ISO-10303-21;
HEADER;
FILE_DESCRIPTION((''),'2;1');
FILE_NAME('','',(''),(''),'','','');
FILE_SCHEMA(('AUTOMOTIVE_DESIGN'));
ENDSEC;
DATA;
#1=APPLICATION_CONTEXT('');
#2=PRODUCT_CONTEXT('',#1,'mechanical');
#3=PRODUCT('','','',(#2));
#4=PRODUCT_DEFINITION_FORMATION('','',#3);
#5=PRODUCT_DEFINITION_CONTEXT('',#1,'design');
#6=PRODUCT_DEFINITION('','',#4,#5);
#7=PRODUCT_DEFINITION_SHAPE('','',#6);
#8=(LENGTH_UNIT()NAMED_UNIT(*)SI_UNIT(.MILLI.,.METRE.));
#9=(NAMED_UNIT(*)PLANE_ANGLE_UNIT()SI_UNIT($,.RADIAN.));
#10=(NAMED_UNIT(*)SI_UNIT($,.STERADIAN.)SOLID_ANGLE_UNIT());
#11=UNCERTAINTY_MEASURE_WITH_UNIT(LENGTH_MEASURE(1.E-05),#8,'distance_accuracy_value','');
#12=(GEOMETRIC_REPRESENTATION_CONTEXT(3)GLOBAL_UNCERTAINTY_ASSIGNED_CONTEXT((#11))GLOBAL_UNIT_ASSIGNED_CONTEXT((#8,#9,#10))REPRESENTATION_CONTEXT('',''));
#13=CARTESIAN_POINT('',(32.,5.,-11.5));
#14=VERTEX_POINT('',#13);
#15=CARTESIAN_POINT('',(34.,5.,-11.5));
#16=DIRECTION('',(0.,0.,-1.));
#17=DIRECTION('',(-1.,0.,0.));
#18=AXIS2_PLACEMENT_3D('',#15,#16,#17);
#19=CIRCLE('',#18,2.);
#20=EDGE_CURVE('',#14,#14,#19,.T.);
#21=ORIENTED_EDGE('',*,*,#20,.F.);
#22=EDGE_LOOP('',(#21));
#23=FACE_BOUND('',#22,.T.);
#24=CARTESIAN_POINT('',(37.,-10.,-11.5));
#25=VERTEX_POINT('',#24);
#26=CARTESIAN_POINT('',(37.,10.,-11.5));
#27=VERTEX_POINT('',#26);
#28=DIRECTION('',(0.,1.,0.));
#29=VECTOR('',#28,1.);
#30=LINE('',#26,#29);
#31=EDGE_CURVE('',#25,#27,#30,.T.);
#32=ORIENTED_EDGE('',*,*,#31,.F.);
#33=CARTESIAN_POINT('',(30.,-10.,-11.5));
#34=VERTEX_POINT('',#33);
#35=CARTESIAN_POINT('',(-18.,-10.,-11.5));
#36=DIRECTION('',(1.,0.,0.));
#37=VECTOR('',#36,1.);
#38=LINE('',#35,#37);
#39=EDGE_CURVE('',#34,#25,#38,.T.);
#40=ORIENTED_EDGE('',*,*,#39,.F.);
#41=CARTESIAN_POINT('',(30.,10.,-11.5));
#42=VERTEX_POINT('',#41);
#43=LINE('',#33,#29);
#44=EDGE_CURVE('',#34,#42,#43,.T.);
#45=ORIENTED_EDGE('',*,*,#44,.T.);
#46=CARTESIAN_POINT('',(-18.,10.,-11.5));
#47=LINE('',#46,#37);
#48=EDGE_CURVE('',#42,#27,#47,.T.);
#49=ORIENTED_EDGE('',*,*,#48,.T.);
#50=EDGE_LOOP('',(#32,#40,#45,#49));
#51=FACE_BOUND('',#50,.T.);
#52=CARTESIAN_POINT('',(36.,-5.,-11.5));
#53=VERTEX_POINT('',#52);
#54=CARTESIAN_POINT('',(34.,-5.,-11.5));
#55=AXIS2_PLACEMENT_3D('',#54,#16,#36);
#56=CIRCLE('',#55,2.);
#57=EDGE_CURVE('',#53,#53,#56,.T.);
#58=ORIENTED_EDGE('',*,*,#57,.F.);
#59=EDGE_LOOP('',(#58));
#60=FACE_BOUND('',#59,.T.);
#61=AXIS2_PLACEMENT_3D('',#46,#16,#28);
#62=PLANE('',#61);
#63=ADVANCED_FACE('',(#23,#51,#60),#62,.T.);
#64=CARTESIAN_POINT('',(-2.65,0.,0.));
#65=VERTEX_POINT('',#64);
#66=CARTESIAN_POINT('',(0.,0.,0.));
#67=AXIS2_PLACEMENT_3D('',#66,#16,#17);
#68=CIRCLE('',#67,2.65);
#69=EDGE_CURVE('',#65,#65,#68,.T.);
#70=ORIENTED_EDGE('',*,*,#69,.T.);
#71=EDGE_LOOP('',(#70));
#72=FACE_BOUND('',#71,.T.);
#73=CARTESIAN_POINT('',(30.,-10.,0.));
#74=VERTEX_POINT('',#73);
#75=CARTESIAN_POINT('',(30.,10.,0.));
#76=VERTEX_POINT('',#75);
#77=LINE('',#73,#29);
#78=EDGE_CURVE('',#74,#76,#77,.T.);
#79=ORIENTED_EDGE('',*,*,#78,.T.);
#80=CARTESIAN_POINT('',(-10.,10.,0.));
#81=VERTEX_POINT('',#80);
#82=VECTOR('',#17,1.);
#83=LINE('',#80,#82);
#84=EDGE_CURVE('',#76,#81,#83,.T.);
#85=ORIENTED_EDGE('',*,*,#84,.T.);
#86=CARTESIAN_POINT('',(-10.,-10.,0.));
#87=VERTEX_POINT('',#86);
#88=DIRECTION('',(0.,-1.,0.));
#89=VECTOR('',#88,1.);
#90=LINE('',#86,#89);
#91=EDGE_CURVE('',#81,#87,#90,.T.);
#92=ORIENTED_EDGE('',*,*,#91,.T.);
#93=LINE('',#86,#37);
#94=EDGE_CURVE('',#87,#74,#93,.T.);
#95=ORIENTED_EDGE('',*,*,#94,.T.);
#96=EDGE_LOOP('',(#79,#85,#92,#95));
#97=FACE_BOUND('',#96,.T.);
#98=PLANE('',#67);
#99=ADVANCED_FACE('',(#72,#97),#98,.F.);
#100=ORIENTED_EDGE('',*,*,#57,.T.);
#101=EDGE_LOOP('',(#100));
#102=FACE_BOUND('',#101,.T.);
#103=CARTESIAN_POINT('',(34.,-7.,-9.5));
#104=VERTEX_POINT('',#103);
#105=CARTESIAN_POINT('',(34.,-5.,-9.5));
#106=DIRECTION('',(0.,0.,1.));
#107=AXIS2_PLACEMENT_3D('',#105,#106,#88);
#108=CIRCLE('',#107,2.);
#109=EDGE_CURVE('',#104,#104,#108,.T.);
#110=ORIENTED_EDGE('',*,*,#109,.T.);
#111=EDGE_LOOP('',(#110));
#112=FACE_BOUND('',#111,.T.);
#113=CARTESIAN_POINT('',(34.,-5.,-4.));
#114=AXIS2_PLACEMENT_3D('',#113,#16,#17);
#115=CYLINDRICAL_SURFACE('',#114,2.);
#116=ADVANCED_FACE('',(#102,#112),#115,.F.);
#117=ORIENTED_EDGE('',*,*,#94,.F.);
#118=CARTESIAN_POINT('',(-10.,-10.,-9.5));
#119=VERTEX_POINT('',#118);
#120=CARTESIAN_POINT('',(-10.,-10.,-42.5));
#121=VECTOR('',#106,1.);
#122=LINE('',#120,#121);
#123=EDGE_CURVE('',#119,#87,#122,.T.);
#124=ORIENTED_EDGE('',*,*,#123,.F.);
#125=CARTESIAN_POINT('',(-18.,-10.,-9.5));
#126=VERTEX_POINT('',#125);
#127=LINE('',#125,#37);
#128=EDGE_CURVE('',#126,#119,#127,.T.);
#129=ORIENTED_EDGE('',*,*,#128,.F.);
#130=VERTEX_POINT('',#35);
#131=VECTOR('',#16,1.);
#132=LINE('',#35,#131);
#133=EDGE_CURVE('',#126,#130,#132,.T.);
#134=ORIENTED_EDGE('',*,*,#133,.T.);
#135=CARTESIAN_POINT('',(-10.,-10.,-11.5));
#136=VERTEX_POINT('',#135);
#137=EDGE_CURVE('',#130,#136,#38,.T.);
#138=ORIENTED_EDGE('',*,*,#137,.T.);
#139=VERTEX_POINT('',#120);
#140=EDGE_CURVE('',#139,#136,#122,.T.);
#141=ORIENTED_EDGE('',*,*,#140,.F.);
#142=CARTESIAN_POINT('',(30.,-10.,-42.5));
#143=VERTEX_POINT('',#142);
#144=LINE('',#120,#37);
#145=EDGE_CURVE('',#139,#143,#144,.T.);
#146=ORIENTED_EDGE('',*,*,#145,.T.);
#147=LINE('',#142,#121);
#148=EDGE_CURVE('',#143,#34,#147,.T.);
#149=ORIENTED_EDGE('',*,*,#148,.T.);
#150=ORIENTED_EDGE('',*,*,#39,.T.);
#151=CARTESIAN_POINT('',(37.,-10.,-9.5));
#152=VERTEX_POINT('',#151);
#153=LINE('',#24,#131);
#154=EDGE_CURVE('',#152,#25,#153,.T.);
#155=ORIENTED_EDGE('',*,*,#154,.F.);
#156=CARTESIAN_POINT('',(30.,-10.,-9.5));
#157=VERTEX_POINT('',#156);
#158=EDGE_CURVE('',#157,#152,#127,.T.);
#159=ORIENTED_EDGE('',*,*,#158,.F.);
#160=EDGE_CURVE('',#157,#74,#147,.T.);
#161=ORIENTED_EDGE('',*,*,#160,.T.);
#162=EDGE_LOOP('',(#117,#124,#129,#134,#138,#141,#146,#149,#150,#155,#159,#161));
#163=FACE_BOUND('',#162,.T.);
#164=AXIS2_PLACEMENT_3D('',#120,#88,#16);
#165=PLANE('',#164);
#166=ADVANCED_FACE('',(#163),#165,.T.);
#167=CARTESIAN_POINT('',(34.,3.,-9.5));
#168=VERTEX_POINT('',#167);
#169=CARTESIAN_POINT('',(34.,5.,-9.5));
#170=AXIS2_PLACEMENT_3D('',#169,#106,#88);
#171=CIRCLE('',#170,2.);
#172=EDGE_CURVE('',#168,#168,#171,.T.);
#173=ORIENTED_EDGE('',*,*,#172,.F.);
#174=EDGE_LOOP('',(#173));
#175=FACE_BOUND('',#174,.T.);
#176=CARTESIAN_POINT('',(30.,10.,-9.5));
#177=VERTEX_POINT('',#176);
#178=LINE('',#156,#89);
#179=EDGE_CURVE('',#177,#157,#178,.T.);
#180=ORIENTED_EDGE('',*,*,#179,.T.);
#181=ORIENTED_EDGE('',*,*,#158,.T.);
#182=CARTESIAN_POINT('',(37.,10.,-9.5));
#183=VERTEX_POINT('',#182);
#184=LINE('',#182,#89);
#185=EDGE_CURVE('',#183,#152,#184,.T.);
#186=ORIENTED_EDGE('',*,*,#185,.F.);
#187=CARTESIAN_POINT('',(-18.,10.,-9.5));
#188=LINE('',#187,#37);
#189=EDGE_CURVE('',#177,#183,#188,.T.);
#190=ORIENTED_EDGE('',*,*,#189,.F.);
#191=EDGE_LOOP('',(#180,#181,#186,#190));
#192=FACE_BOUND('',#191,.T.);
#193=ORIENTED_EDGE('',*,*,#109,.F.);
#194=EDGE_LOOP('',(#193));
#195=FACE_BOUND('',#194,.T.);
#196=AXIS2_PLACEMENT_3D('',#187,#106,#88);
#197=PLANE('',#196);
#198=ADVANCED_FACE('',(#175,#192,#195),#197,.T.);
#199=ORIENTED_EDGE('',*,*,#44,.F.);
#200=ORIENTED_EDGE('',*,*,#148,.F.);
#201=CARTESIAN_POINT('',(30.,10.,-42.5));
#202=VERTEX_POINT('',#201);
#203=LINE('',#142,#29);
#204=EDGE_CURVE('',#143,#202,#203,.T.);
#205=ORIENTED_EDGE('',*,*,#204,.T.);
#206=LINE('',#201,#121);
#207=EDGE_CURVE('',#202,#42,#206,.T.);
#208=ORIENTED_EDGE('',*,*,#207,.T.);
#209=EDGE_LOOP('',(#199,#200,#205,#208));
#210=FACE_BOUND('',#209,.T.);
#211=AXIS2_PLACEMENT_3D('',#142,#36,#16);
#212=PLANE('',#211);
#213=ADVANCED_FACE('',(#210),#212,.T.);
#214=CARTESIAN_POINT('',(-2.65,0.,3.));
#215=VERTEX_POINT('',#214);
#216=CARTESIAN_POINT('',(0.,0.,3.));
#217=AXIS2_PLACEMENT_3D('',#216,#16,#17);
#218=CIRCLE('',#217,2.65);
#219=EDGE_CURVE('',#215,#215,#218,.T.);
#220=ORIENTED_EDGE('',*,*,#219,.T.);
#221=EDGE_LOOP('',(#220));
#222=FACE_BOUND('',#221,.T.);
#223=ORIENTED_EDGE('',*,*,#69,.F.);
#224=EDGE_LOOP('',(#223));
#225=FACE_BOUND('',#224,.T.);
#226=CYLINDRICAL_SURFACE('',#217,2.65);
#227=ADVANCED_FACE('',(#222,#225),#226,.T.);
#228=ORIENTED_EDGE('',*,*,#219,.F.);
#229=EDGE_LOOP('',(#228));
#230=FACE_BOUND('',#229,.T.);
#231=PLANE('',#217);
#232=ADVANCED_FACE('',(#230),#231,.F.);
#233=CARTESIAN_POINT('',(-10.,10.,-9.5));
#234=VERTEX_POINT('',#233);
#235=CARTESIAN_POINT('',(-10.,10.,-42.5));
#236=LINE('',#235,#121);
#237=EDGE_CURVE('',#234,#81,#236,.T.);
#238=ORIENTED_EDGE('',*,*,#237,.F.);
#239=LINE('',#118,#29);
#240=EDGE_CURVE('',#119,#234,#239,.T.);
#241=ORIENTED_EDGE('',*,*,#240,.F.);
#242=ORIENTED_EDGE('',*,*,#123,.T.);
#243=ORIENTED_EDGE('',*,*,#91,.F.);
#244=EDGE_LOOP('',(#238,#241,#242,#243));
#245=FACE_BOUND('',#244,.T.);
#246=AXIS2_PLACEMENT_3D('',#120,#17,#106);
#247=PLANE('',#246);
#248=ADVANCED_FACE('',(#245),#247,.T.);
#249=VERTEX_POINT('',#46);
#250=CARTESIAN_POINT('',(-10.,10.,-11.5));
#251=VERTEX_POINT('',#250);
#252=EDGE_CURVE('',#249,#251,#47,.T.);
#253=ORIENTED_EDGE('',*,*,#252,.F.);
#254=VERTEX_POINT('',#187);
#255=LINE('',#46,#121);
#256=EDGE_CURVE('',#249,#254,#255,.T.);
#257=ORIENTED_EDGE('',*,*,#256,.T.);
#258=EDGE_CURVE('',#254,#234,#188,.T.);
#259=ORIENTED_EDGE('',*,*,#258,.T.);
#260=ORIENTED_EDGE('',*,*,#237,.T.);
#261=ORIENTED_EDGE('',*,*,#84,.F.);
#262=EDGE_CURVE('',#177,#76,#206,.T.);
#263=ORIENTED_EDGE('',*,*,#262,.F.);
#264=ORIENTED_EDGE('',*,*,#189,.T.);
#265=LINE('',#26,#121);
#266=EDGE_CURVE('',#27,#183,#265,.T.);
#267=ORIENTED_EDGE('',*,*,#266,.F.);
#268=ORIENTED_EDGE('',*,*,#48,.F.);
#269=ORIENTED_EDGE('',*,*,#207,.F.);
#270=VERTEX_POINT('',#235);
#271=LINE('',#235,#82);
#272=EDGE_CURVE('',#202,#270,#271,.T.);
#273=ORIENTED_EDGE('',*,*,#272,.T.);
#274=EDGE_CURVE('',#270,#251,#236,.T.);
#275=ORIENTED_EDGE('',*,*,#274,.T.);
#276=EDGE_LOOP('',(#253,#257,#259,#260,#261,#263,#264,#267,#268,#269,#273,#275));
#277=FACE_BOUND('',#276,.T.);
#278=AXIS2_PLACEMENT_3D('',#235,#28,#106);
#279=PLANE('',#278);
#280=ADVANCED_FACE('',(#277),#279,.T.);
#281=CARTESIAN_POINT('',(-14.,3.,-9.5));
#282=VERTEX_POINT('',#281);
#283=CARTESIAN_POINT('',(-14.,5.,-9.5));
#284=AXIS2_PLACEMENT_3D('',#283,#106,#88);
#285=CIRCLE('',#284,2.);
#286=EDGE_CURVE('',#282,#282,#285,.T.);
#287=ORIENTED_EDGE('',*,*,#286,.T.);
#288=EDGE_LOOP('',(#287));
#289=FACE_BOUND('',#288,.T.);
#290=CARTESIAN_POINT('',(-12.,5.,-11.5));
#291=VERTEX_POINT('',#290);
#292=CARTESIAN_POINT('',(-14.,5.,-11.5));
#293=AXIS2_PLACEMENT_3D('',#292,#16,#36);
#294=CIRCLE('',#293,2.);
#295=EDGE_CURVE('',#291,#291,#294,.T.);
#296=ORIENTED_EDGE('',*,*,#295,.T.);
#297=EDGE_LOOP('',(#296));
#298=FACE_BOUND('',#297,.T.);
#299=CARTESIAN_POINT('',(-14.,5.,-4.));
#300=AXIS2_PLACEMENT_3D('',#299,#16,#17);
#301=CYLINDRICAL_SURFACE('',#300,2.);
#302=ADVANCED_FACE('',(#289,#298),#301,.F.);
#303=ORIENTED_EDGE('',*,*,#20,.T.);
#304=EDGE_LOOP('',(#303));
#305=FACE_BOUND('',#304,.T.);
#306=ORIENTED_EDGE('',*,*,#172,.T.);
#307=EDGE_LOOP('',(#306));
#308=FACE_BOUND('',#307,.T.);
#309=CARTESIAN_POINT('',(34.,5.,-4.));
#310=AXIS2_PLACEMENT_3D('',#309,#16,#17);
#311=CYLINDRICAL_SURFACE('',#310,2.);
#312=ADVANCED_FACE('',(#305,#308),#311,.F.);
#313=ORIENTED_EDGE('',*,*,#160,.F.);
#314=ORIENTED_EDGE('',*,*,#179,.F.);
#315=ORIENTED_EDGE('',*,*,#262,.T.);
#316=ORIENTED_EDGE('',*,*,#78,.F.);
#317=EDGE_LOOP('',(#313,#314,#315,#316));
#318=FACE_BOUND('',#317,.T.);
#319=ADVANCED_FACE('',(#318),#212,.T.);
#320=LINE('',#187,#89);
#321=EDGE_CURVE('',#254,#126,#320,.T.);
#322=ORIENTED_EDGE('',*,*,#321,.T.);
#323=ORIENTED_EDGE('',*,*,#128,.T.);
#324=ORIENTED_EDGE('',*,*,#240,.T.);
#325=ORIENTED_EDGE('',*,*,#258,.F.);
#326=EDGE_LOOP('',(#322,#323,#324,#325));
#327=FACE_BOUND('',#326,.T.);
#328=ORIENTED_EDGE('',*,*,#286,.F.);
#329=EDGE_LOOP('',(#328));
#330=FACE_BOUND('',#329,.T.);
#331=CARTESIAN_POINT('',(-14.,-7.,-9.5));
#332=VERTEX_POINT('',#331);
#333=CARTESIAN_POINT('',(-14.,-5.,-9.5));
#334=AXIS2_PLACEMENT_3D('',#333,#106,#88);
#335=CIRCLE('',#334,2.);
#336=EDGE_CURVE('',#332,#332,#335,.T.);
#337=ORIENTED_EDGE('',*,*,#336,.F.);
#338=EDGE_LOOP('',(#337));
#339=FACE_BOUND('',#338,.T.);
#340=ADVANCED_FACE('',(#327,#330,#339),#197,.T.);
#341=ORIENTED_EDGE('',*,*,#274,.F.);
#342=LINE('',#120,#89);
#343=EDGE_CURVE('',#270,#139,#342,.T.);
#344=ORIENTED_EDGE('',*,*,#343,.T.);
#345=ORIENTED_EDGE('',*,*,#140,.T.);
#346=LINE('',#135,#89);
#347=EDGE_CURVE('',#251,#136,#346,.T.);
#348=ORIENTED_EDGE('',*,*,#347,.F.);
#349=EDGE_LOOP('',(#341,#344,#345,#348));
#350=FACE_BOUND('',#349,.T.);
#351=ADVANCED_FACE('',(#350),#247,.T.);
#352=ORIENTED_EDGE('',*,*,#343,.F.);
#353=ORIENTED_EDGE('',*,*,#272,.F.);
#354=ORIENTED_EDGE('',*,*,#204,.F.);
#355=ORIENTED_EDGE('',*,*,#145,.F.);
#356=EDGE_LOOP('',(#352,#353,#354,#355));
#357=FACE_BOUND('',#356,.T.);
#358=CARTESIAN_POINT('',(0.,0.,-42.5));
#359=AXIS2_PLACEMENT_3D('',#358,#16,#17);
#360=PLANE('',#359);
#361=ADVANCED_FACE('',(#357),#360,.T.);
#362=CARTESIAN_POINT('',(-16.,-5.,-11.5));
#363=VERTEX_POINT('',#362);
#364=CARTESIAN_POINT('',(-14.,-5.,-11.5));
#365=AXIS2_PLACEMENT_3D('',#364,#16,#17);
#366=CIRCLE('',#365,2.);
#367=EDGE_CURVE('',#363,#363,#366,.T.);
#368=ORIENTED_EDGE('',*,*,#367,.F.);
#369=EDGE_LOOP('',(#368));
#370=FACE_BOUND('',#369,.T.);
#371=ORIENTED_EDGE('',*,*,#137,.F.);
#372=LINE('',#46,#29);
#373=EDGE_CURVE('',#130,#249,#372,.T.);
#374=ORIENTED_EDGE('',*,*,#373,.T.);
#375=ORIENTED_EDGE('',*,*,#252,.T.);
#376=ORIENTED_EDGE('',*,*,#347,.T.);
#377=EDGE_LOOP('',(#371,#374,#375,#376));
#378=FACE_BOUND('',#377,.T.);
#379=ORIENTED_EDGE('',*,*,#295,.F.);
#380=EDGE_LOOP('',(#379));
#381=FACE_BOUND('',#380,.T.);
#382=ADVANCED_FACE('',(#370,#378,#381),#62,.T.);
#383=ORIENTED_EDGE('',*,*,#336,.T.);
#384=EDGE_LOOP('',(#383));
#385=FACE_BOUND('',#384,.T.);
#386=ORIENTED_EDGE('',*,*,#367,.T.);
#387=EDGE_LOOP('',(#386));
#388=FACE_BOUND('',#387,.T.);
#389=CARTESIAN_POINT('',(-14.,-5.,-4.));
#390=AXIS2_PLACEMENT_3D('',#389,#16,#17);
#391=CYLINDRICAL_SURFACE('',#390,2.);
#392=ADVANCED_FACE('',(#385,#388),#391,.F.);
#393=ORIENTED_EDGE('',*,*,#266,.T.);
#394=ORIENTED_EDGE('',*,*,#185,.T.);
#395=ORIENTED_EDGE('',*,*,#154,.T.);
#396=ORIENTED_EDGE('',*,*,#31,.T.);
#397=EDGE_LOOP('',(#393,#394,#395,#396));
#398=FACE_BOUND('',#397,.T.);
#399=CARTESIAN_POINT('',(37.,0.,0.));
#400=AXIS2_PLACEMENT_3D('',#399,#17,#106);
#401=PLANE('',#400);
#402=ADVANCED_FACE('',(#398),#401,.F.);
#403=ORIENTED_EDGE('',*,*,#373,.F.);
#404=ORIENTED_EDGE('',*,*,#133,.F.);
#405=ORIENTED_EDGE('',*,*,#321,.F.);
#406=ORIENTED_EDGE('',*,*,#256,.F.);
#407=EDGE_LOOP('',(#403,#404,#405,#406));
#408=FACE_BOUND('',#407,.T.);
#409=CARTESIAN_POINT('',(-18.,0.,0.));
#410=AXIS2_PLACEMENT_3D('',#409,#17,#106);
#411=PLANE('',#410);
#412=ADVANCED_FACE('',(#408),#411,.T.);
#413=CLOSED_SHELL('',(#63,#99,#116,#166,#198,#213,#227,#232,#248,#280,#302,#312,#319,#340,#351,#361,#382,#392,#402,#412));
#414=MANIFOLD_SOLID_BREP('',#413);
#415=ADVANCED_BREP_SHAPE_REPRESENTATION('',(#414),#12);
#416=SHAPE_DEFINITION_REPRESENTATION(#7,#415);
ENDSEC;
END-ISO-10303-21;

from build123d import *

# Parameters (mm, degrees)
ESQUISSE1_W             = 40
ESQUISSE1_H             = 20
BOSS_EXTRU_1_DEPTH      = 42.5
BOSS_EXTRU_2_DEPTH      = 7
BOSS_EXTRU_2_DEPTH_BACK = 48
ESQUISSE2_W             = 2
ESQUISSE2_H             = 20
ESQUISSE3_R             = 2
ENL_V_MAT_EXTRU_1_DEPTH = 7.5
ESQUISSE5_R             = 2.65
BOSS_EXTRU_3_DEPTH      = 3


with BuildPart() as part:
    # Esquisse1 → Boss.-Extru.1 (new body)
    with BuildSketch(Plane.XY):
        with Locations((10, 0)):
            Rectangle(ESQUISSE1_W, ESQUISSE1_H)
    extrude(amount=-BOSS_EXTRU_1_DEPTH)

    # Esquisse2 → Boss.-Extru.2 (add, two sides: drawn at the far end of the back side and taken through both)
    with BuildSketch(Plane(origin=(30, 0, 0), x_dir=(0, 0, -1), z_dir=(1, 0, 0)).offset(-BOSS_EXTRU_2_DEPTH_BACK)):
        with Locations((10.5, 0)):
            Rectangle(ESQUISSE2_W, ESQUISSE2_H)
    extrude(amount=BOSS_EXTRU_2_DEPTH + BOSS_EXTRU_2_DEPTH_BACK)

    # Esquisse3 → Enlèv. mat.-Extru.1 (cut)
    with BuildSketch(Plane(origin=(0, 0, -11.5), x_dir=(-1, 0, 0), z_dir=(0, 0, -1))):
        with Locations(Location((14, 5, 0), (0, 0, 270))):
            Circle(ESQUISSE3_R)
        with Locations((14, -5)):
            Circle(ESQUISSE3_R)
        with Locations(Location((-34, -5, 0), (0, 0, 270))):
            Circle(ESQUISSE3_R)
        with Locations((-34, 5)):
            Circle(ESQUISSE3_R)
    extrude(amount=-ENL_V_MAT_EXTRU_1_DEPTH, mode=Mode.SUBTRACT)

    # Esquisse5 → Boss.-Extru.3 (add)
    with BuildSketch(Plane(origin=(0, 0, 0), x_dir=(-1, 0, 0), z_dir=(0, 0, -1))):
        Circle(ESQUISSE5_R)
    extrude(amount=-BOSS_EXTRU_3_DEPTH)


solid = part.part
